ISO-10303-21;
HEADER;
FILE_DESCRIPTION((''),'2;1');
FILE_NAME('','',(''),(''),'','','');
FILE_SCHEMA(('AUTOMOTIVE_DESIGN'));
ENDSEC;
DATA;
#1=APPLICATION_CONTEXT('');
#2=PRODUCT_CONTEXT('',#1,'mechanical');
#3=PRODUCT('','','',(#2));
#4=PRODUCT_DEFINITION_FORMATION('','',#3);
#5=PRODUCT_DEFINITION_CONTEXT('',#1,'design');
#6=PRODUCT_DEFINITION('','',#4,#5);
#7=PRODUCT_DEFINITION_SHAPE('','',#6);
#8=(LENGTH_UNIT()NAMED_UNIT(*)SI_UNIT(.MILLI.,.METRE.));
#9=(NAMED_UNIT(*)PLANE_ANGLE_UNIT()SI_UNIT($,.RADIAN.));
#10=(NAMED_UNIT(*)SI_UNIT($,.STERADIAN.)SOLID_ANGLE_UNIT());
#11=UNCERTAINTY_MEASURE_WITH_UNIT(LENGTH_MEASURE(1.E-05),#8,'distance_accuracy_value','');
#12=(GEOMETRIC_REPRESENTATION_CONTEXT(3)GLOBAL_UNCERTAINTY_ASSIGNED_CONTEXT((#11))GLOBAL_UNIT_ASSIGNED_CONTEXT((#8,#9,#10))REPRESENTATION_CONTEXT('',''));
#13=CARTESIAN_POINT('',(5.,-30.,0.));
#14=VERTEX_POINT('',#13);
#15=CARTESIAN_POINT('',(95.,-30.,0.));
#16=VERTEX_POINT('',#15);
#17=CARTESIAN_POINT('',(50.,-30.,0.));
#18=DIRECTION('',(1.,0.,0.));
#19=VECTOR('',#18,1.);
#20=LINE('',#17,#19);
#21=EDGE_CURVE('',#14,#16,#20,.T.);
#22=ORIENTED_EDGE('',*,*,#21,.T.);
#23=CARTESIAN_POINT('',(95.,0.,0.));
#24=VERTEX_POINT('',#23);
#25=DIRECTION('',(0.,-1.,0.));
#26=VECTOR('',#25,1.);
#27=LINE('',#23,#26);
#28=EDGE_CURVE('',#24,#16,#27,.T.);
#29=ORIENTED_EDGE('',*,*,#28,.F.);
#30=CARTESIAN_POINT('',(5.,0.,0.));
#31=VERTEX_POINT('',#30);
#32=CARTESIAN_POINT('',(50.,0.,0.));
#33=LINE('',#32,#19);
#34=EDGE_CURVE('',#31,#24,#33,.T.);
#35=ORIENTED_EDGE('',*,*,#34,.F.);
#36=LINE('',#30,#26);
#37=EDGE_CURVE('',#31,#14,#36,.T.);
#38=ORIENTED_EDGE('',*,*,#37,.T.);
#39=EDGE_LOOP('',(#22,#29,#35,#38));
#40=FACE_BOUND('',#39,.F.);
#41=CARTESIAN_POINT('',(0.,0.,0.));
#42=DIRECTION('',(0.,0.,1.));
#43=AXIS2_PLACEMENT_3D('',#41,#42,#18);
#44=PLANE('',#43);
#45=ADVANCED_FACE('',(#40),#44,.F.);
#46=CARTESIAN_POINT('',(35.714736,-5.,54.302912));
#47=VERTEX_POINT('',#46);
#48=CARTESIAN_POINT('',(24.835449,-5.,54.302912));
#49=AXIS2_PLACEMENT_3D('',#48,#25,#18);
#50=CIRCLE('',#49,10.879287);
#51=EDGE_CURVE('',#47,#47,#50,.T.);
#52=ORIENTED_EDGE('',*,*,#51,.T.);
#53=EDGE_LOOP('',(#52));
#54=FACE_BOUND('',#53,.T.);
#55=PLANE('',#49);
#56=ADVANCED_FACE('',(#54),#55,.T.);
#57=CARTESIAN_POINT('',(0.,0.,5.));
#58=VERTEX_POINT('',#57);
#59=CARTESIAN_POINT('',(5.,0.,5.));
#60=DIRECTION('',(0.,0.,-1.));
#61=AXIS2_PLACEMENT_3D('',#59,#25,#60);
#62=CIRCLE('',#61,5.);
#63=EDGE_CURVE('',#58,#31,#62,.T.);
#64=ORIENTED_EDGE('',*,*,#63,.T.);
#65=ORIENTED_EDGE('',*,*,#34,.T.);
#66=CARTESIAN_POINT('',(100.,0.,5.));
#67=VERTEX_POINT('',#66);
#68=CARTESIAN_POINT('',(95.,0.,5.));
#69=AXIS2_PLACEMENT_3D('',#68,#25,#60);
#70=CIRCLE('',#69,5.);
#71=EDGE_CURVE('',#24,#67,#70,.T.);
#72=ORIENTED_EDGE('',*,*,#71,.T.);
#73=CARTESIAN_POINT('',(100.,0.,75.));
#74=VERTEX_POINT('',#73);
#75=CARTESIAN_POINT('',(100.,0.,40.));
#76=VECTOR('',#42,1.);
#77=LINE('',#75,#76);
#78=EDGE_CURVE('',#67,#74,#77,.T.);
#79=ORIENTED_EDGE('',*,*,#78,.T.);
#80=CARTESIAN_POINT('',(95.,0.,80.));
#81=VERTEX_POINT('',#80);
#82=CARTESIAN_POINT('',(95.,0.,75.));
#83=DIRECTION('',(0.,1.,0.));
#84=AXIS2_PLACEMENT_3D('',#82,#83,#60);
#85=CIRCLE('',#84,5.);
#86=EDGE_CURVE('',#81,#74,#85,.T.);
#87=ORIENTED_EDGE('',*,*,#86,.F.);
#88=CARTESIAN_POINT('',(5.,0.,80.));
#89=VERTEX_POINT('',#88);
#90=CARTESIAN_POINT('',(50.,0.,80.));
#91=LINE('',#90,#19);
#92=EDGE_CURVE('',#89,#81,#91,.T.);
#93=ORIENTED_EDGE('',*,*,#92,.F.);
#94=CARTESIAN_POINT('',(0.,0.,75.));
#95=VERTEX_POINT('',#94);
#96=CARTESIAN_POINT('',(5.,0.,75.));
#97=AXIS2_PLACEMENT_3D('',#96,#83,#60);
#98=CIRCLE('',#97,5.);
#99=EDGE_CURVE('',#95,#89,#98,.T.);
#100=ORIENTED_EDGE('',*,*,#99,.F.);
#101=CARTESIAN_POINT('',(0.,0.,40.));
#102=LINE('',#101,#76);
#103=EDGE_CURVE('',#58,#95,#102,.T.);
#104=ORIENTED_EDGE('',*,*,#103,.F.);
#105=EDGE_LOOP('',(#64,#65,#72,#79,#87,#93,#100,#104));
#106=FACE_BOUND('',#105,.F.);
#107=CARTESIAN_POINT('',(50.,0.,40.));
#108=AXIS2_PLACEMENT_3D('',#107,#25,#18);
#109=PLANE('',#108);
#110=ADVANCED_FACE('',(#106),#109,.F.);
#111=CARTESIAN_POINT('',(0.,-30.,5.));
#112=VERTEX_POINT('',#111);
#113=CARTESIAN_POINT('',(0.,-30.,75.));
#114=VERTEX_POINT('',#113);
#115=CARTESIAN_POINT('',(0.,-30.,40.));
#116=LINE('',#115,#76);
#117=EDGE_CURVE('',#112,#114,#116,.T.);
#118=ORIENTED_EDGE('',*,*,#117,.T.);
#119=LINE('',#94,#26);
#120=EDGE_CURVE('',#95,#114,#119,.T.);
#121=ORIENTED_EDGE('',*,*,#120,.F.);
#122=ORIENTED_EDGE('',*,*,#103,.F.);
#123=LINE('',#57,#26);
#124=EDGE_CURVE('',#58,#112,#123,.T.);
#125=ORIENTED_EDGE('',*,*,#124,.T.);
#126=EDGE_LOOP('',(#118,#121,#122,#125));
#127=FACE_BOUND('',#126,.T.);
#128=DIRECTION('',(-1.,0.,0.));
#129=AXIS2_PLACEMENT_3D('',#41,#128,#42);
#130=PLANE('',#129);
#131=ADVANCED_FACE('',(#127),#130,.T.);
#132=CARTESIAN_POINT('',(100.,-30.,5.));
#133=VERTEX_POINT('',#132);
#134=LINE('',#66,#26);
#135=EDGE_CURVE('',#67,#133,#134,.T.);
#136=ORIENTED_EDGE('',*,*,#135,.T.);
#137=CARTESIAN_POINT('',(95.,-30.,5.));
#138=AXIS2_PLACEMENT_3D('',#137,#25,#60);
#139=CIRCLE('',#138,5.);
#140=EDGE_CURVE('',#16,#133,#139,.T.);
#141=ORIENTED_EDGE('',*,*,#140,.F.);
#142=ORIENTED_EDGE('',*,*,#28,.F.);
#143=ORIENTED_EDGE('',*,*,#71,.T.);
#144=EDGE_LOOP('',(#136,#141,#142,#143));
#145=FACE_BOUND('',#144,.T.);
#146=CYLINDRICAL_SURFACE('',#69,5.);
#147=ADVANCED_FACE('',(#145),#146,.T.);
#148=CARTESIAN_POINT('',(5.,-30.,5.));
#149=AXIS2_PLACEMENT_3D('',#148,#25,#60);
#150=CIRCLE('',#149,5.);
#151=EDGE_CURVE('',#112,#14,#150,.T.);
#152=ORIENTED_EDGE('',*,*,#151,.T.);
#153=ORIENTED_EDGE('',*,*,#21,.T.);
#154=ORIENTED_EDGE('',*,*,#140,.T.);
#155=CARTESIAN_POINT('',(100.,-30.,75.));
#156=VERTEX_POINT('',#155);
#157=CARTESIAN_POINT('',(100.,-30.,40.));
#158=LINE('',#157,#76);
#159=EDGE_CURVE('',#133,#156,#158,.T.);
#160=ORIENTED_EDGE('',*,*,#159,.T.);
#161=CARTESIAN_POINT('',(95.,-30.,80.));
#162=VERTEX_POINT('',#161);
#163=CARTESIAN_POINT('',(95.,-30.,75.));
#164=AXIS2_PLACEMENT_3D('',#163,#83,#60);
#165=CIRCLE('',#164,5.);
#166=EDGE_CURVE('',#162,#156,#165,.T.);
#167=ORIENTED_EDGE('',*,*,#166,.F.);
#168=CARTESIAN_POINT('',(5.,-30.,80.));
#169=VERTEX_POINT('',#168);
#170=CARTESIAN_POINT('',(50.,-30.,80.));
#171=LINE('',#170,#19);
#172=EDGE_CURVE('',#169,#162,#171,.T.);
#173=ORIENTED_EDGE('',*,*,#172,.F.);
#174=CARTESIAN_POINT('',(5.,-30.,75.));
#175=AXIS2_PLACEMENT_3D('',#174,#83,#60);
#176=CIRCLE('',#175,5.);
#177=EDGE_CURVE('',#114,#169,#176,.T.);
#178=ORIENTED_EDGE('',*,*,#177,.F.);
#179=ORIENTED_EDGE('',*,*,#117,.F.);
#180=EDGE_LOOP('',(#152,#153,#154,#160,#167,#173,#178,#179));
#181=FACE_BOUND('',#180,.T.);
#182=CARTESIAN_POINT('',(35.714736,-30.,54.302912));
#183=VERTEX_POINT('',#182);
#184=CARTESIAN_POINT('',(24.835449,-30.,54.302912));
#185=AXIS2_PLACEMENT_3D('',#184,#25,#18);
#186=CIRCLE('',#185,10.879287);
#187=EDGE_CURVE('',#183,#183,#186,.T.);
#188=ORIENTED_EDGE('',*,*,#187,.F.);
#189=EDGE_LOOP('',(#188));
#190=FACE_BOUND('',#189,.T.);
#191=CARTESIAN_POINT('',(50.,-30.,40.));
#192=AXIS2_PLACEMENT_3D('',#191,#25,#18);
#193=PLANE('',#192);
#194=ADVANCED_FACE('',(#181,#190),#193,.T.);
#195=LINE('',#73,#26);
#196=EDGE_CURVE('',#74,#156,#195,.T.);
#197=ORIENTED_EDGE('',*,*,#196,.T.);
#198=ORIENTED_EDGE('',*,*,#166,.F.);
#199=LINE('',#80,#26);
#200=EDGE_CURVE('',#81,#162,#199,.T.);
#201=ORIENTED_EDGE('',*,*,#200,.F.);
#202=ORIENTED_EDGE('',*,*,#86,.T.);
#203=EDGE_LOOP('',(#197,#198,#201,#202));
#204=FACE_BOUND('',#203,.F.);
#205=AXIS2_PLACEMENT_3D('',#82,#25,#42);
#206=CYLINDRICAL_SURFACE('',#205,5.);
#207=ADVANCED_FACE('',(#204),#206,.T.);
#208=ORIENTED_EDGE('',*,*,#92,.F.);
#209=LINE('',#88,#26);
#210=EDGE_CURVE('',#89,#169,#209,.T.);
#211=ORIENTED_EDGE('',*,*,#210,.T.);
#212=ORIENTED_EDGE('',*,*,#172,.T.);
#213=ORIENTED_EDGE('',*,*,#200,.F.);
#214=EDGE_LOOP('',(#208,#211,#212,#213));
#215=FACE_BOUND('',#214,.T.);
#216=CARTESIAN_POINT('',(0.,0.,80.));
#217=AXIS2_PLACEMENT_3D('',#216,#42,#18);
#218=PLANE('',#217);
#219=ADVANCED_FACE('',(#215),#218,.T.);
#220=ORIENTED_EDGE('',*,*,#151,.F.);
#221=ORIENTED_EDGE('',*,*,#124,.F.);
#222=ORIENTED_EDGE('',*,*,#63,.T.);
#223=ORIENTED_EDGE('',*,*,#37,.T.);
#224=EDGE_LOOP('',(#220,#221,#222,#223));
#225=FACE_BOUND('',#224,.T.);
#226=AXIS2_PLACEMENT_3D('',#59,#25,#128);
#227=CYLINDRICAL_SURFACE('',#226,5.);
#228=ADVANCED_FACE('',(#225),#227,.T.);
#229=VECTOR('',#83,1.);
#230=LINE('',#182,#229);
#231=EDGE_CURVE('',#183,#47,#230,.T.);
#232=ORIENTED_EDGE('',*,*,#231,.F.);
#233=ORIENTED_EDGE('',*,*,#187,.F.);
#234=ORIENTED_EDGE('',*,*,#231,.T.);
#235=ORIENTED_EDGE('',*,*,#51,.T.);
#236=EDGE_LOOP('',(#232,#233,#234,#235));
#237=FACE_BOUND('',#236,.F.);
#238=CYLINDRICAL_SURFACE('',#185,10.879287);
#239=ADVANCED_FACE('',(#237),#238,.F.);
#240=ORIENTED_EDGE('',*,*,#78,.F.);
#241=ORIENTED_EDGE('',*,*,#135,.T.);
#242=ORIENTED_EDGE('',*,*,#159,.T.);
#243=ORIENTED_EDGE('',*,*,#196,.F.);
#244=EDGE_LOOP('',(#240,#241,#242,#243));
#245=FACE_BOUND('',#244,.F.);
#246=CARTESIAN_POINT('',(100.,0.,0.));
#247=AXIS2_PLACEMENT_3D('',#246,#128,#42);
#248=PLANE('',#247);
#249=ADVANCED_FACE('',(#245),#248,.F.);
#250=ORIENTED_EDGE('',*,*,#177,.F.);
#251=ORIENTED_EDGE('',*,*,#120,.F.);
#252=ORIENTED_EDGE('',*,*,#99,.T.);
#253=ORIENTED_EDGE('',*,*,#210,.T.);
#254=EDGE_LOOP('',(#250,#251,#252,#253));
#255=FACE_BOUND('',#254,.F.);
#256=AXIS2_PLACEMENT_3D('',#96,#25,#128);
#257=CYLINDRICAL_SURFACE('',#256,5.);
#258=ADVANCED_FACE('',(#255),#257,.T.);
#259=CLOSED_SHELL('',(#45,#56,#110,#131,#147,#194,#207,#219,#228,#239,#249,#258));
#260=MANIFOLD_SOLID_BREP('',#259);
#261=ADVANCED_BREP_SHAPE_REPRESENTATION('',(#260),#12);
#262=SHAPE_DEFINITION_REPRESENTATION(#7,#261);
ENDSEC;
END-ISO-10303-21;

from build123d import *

# Parameters (mm, degrees)
F0_W     = 100
F0_H     = 80
F1_DEPTH = 30
F2_R     = 10.879287
F3_DEPTH = 25
F4_R     = 5


with BuildPart() as f1:
    # F0 (on Front) → F1 (new body)
    with BuildSketch(Plane.XZ):
        with Locations((50, 40)):
            Rectangle(F0_W, F0_H)
    extrude(amount=F1_DEPTH)

    # F2 (on face) → F3 (cut)
    with BuildSketch(Plane.XZ.offset(30)):
        with Locations((24.835449, 54.302912)):
            Circle(F2_R)
    extrude(amount=-F3_DEPTH, mode=Mode.SUBTRACT)

    # F4
    f4_edges = [f1.edges().sort_by_distance(p)[0] for p in [
        (0, -15, 80),
        (100, -15, 80),
        (100, -15, 0),
        (0, -15, 0),
    ]]
    fillet(f4_edges, radius=F4_R)


solid = f1.part
